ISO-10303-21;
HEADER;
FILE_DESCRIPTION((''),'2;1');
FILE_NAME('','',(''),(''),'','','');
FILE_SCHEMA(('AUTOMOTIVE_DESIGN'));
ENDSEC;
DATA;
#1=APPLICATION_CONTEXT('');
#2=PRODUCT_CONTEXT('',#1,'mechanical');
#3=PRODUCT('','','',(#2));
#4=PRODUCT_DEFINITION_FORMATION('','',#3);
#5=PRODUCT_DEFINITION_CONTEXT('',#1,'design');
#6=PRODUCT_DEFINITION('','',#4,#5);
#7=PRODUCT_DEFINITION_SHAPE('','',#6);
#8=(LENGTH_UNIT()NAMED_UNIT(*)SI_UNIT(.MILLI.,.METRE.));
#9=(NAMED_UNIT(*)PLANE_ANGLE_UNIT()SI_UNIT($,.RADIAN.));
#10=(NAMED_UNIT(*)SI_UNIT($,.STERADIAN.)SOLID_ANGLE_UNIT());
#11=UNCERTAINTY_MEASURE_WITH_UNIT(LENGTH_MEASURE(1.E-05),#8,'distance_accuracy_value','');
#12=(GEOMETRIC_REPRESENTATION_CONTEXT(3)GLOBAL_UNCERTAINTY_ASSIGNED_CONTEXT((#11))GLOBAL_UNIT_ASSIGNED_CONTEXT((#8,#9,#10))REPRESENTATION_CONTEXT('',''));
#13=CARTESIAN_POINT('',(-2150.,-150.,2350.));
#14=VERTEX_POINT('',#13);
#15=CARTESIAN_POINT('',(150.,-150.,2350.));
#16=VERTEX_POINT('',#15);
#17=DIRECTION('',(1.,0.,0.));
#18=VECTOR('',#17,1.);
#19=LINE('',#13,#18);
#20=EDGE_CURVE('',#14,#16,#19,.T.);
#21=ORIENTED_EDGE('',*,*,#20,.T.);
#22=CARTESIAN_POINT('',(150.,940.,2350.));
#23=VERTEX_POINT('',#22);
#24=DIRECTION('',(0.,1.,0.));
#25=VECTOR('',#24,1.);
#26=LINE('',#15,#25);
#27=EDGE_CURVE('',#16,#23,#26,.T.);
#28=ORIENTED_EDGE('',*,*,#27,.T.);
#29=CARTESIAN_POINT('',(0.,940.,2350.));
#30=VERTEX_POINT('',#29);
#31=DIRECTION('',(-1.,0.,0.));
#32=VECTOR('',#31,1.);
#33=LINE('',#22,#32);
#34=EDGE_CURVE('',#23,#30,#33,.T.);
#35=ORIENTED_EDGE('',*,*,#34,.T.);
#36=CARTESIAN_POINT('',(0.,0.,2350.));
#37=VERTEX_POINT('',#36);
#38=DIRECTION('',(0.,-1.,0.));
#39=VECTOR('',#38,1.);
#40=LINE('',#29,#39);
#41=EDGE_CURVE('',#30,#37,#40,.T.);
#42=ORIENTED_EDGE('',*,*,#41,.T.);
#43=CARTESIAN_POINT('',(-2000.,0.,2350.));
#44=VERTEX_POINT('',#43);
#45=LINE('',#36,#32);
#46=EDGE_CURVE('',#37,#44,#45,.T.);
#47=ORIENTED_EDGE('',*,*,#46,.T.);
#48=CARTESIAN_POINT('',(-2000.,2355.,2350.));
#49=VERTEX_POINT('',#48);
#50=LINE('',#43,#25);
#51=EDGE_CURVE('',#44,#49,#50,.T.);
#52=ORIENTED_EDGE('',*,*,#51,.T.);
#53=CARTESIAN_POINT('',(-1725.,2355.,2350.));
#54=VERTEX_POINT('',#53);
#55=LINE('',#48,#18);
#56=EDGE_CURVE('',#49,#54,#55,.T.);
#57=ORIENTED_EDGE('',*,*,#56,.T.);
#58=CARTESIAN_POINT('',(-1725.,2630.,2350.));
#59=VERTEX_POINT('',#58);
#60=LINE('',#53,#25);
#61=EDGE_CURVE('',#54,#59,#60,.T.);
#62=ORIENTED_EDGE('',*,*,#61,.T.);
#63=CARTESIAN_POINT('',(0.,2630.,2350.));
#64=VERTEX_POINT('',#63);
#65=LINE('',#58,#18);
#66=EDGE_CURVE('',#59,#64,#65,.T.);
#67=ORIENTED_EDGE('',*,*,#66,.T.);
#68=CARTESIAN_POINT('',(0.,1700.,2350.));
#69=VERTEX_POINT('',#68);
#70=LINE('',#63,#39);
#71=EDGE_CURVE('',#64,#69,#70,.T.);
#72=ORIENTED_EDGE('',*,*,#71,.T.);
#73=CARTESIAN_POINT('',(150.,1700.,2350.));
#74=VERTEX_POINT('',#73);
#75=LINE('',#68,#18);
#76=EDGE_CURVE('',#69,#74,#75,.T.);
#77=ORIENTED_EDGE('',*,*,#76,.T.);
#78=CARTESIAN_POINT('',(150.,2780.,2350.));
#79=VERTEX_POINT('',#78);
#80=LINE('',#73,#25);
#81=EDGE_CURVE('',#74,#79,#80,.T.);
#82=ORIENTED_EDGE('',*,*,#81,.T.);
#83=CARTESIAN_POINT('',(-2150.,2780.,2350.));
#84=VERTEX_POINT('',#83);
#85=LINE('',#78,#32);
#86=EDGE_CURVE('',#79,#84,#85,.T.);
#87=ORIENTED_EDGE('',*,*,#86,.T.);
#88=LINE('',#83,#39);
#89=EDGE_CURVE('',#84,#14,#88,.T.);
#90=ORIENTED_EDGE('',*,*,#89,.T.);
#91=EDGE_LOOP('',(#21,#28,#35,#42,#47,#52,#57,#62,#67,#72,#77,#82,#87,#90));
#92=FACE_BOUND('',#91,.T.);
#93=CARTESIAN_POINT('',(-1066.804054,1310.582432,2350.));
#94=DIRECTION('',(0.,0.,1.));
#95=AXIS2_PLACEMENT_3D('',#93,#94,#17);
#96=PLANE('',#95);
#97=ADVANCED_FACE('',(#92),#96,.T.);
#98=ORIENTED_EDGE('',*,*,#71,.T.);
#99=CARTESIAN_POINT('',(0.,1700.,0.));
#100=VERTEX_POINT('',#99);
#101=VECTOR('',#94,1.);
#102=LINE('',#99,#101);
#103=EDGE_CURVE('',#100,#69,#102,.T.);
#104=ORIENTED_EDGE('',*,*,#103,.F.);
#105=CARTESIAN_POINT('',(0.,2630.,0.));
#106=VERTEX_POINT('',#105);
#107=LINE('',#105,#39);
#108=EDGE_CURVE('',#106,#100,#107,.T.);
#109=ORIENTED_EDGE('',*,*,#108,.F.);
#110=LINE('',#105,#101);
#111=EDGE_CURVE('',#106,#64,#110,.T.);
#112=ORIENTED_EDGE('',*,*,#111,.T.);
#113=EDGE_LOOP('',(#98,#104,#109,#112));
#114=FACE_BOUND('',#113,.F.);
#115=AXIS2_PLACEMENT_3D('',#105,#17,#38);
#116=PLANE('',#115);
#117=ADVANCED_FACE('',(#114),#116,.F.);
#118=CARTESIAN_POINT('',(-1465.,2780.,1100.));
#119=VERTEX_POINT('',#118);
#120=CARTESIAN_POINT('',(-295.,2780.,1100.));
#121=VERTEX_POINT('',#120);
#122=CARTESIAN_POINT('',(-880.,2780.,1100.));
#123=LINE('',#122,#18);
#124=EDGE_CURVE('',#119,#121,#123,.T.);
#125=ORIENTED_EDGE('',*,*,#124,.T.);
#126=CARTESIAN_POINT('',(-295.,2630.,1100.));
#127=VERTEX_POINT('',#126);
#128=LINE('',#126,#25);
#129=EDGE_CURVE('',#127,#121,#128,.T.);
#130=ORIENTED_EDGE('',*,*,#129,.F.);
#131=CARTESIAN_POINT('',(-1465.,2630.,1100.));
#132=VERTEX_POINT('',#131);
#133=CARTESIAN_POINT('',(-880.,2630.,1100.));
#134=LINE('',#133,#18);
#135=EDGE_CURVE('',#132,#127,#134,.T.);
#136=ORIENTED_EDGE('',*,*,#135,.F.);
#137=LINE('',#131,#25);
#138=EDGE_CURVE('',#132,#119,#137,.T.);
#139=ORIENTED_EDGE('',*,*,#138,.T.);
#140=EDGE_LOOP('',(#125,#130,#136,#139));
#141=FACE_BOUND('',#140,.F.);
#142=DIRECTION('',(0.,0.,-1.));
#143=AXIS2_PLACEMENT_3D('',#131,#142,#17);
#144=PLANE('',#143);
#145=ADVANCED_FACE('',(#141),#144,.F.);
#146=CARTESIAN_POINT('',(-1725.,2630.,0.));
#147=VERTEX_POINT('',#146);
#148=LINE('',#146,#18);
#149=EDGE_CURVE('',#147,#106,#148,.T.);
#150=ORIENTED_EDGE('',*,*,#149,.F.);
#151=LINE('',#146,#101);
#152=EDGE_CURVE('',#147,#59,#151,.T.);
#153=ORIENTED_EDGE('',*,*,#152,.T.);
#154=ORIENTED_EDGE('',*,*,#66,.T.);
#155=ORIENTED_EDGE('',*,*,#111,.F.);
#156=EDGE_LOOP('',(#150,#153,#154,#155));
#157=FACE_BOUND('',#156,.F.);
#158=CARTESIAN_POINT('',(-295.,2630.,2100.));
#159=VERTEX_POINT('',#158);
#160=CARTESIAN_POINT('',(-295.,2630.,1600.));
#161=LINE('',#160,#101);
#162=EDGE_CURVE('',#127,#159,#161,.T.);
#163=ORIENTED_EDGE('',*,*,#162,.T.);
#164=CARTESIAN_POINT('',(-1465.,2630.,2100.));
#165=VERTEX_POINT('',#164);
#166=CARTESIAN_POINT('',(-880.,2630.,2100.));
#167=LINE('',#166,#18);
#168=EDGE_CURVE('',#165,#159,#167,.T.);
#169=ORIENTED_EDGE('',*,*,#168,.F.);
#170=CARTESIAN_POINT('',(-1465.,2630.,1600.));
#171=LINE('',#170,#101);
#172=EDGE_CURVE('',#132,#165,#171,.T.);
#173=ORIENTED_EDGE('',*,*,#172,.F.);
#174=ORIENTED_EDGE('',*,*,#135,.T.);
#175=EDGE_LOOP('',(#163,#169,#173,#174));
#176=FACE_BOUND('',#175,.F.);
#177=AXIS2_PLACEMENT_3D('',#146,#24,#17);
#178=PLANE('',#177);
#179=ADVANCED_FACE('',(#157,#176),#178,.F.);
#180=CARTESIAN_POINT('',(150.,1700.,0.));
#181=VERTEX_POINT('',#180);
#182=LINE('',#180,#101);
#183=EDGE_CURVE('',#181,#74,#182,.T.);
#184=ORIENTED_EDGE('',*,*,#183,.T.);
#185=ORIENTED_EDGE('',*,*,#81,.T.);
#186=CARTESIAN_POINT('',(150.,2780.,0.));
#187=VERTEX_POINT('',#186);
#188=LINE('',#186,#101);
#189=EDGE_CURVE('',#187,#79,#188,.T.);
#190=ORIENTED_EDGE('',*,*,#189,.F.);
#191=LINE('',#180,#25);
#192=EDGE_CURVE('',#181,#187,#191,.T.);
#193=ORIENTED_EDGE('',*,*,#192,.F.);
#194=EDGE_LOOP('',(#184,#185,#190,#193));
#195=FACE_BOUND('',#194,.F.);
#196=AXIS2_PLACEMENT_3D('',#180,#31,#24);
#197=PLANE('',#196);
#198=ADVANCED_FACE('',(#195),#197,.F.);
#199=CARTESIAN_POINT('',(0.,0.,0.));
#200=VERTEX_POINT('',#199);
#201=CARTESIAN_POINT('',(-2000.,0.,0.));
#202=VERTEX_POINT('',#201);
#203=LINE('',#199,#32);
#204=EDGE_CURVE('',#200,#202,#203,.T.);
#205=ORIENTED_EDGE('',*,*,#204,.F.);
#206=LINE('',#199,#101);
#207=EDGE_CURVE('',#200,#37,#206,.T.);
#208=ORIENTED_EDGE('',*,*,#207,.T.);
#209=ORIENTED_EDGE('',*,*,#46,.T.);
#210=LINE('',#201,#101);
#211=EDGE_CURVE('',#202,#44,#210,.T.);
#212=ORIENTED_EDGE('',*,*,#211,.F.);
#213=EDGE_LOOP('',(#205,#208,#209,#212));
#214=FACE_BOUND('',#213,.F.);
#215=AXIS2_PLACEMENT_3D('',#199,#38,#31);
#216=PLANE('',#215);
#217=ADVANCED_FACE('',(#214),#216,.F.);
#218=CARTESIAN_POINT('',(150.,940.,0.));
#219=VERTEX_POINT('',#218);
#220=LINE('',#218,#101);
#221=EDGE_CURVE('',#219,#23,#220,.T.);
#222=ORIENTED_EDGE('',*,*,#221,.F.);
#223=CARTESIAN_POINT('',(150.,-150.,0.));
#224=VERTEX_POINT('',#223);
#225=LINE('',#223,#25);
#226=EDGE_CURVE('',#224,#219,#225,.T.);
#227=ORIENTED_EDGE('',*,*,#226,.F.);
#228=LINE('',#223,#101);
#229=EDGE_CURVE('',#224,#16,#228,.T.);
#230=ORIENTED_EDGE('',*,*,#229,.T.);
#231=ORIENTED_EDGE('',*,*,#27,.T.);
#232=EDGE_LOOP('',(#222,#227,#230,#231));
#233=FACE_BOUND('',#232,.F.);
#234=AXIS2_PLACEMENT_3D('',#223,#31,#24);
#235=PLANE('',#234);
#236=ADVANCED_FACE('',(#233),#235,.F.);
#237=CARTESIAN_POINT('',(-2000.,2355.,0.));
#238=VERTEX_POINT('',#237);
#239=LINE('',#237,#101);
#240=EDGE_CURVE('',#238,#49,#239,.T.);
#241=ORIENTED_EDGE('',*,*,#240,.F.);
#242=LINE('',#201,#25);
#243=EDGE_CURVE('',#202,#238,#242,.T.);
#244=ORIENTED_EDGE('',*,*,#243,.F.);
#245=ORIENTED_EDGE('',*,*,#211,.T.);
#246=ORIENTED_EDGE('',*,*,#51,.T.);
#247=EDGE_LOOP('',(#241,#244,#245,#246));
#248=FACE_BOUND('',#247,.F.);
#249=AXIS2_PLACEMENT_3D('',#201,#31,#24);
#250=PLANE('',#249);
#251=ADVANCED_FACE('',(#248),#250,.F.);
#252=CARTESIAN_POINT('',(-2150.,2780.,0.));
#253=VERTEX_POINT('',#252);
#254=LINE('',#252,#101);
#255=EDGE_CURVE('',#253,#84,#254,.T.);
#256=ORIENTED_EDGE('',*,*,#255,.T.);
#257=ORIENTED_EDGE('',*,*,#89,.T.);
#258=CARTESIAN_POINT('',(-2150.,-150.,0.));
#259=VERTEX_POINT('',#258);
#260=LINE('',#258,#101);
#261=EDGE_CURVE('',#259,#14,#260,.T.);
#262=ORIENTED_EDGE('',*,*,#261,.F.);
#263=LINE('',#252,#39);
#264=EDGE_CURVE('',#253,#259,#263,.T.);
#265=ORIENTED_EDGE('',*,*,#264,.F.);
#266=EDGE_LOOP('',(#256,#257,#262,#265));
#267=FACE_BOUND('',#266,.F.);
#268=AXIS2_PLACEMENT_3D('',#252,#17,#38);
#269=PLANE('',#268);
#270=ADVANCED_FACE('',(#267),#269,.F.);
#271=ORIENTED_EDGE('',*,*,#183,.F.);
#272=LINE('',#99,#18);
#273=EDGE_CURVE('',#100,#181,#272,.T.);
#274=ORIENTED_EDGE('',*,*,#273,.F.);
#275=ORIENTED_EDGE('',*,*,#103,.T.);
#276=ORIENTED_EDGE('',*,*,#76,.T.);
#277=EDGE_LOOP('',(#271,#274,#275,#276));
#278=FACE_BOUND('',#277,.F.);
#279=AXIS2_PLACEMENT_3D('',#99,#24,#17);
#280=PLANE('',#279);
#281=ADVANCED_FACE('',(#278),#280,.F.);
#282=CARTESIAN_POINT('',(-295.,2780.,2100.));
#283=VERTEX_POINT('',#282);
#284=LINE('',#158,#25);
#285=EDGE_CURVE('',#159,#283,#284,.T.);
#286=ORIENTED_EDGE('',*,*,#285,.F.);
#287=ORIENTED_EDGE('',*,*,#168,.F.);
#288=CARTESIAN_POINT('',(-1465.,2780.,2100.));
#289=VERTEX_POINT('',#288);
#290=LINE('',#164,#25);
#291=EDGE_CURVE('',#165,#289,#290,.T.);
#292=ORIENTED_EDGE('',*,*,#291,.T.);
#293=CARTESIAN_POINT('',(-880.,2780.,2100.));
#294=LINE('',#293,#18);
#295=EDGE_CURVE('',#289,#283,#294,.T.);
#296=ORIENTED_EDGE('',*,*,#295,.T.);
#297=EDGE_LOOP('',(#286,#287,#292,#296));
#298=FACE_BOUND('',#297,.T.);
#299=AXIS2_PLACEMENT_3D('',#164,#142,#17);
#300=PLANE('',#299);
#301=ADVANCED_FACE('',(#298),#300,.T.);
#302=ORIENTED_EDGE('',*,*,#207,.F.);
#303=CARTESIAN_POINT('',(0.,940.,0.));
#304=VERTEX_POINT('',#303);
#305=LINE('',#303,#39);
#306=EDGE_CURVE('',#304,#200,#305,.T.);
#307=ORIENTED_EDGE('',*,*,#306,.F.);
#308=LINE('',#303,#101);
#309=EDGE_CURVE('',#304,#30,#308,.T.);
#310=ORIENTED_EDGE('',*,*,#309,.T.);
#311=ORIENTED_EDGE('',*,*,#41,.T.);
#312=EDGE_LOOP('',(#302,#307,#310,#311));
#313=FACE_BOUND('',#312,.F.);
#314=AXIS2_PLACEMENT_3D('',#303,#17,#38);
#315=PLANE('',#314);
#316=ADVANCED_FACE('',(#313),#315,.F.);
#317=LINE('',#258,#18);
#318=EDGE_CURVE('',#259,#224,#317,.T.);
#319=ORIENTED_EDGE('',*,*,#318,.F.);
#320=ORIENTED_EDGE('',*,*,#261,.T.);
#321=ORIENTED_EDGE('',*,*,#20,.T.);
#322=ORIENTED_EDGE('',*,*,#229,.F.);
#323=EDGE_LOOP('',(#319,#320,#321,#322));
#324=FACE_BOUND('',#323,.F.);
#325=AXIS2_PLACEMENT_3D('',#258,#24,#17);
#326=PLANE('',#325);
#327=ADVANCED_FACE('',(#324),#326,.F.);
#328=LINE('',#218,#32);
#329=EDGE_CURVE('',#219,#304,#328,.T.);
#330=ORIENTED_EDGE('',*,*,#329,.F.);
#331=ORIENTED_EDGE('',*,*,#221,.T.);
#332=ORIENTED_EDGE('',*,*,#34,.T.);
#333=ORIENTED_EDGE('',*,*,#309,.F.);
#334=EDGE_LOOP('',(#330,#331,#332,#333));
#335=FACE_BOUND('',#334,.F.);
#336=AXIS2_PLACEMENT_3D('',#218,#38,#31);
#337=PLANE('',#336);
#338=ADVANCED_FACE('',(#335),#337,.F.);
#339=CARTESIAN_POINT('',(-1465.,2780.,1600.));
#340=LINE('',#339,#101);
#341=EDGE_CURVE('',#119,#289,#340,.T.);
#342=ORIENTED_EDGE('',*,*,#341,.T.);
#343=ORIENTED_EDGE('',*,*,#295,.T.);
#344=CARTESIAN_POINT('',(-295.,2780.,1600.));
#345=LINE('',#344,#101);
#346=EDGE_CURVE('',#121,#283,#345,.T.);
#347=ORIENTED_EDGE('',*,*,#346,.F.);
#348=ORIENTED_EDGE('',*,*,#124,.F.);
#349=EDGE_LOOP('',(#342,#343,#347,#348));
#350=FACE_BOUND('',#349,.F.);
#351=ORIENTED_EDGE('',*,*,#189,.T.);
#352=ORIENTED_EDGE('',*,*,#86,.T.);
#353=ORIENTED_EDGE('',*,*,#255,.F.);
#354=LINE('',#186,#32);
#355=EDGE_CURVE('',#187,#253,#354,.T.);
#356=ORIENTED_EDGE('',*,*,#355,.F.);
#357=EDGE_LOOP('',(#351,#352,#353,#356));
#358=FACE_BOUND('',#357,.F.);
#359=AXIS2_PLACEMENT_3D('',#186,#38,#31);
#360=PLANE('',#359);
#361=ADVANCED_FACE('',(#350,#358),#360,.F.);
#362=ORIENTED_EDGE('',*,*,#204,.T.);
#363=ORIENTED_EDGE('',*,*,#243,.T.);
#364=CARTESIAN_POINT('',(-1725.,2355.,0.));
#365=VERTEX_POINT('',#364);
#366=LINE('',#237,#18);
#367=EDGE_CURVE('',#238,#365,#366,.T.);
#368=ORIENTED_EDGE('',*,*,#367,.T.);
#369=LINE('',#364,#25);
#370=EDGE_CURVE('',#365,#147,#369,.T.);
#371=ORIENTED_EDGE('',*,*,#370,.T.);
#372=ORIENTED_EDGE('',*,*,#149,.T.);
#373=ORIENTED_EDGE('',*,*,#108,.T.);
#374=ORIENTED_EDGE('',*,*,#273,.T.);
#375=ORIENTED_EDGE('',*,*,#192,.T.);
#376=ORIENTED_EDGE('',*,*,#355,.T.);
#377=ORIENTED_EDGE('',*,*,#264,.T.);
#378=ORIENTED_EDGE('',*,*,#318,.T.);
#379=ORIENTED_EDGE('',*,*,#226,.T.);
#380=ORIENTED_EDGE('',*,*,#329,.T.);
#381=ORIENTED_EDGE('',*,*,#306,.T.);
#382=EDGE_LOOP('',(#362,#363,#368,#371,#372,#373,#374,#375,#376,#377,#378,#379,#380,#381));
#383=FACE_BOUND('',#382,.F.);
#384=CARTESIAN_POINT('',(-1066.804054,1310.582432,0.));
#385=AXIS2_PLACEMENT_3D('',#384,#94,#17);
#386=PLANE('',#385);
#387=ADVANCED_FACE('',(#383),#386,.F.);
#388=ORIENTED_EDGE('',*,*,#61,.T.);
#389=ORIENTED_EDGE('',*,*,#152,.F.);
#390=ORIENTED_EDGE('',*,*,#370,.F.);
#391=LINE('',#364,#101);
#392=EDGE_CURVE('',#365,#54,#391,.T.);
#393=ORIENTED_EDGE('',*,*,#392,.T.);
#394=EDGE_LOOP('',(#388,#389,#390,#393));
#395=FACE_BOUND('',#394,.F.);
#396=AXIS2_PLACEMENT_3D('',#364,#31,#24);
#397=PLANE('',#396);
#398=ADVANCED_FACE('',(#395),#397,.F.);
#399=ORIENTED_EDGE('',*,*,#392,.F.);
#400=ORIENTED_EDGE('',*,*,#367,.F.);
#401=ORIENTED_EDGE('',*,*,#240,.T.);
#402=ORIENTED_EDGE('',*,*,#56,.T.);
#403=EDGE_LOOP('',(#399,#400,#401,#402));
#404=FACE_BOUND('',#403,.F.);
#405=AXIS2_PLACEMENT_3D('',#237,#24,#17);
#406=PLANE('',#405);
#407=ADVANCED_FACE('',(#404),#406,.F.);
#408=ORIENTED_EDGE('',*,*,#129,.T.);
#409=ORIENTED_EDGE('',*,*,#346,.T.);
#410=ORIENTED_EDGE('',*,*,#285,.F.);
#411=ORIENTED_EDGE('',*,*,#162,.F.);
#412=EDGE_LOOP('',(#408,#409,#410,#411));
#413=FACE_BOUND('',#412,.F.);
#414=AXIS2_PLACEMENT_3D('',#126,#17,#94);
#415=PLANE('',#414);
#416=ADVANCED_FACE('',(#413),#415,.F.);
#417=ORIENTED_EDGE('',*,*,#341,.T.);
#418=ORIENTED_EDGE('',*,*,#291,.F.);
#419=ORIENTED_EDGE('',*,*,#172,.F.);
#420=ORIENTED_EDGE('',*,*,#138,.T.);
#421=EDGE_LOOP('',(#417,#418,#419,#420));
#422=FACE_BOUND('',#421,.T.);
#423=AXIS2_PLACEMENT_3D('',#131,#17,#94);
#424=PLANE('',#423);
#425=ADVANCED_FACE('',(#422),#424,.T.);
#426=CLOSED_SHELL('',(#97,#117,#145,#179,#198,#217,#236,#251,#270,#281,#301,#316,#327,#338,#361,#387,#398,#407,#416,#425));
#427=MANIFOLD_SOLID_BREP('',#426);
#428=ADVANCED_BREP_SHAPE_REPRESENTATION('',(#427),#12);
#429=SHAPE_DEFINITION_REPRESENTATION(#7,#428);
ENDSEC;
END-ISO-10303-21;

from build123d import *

# Parameters (mm, degrees)
F1_DEPTH = 2350
F2_W     = 1170
F2_H     = 1000
F3_DEPTH = 150


with BuildPart() as f1:
    # F0 (on Top) → F1 (new body)
    with BuildSketch(Plane.XY):
        Polygon((0, 940), (0, 0), (-2000, 0), (-2000, 2355), (-1725, 2355), (-1725, 2630), (0, 2630), (0, 1700), (150, 1700), (150, 2780), (-2150, 2780), (-2150, -150), (150, -150), (150, 940), align=None)
    extrude(amount=F1_DEPTH)

    # F2 (on face) → F3 (cut, through all)
    with BuildSketch(Plane.XZ.offset(-2630)):
        with Locations((-880, 1600)):
            Rectangle(F2_W, F2_H)
    extrude(amount=-F3_DEPTH, mode=Mode.SUBTRACT)


solid = f1.part
